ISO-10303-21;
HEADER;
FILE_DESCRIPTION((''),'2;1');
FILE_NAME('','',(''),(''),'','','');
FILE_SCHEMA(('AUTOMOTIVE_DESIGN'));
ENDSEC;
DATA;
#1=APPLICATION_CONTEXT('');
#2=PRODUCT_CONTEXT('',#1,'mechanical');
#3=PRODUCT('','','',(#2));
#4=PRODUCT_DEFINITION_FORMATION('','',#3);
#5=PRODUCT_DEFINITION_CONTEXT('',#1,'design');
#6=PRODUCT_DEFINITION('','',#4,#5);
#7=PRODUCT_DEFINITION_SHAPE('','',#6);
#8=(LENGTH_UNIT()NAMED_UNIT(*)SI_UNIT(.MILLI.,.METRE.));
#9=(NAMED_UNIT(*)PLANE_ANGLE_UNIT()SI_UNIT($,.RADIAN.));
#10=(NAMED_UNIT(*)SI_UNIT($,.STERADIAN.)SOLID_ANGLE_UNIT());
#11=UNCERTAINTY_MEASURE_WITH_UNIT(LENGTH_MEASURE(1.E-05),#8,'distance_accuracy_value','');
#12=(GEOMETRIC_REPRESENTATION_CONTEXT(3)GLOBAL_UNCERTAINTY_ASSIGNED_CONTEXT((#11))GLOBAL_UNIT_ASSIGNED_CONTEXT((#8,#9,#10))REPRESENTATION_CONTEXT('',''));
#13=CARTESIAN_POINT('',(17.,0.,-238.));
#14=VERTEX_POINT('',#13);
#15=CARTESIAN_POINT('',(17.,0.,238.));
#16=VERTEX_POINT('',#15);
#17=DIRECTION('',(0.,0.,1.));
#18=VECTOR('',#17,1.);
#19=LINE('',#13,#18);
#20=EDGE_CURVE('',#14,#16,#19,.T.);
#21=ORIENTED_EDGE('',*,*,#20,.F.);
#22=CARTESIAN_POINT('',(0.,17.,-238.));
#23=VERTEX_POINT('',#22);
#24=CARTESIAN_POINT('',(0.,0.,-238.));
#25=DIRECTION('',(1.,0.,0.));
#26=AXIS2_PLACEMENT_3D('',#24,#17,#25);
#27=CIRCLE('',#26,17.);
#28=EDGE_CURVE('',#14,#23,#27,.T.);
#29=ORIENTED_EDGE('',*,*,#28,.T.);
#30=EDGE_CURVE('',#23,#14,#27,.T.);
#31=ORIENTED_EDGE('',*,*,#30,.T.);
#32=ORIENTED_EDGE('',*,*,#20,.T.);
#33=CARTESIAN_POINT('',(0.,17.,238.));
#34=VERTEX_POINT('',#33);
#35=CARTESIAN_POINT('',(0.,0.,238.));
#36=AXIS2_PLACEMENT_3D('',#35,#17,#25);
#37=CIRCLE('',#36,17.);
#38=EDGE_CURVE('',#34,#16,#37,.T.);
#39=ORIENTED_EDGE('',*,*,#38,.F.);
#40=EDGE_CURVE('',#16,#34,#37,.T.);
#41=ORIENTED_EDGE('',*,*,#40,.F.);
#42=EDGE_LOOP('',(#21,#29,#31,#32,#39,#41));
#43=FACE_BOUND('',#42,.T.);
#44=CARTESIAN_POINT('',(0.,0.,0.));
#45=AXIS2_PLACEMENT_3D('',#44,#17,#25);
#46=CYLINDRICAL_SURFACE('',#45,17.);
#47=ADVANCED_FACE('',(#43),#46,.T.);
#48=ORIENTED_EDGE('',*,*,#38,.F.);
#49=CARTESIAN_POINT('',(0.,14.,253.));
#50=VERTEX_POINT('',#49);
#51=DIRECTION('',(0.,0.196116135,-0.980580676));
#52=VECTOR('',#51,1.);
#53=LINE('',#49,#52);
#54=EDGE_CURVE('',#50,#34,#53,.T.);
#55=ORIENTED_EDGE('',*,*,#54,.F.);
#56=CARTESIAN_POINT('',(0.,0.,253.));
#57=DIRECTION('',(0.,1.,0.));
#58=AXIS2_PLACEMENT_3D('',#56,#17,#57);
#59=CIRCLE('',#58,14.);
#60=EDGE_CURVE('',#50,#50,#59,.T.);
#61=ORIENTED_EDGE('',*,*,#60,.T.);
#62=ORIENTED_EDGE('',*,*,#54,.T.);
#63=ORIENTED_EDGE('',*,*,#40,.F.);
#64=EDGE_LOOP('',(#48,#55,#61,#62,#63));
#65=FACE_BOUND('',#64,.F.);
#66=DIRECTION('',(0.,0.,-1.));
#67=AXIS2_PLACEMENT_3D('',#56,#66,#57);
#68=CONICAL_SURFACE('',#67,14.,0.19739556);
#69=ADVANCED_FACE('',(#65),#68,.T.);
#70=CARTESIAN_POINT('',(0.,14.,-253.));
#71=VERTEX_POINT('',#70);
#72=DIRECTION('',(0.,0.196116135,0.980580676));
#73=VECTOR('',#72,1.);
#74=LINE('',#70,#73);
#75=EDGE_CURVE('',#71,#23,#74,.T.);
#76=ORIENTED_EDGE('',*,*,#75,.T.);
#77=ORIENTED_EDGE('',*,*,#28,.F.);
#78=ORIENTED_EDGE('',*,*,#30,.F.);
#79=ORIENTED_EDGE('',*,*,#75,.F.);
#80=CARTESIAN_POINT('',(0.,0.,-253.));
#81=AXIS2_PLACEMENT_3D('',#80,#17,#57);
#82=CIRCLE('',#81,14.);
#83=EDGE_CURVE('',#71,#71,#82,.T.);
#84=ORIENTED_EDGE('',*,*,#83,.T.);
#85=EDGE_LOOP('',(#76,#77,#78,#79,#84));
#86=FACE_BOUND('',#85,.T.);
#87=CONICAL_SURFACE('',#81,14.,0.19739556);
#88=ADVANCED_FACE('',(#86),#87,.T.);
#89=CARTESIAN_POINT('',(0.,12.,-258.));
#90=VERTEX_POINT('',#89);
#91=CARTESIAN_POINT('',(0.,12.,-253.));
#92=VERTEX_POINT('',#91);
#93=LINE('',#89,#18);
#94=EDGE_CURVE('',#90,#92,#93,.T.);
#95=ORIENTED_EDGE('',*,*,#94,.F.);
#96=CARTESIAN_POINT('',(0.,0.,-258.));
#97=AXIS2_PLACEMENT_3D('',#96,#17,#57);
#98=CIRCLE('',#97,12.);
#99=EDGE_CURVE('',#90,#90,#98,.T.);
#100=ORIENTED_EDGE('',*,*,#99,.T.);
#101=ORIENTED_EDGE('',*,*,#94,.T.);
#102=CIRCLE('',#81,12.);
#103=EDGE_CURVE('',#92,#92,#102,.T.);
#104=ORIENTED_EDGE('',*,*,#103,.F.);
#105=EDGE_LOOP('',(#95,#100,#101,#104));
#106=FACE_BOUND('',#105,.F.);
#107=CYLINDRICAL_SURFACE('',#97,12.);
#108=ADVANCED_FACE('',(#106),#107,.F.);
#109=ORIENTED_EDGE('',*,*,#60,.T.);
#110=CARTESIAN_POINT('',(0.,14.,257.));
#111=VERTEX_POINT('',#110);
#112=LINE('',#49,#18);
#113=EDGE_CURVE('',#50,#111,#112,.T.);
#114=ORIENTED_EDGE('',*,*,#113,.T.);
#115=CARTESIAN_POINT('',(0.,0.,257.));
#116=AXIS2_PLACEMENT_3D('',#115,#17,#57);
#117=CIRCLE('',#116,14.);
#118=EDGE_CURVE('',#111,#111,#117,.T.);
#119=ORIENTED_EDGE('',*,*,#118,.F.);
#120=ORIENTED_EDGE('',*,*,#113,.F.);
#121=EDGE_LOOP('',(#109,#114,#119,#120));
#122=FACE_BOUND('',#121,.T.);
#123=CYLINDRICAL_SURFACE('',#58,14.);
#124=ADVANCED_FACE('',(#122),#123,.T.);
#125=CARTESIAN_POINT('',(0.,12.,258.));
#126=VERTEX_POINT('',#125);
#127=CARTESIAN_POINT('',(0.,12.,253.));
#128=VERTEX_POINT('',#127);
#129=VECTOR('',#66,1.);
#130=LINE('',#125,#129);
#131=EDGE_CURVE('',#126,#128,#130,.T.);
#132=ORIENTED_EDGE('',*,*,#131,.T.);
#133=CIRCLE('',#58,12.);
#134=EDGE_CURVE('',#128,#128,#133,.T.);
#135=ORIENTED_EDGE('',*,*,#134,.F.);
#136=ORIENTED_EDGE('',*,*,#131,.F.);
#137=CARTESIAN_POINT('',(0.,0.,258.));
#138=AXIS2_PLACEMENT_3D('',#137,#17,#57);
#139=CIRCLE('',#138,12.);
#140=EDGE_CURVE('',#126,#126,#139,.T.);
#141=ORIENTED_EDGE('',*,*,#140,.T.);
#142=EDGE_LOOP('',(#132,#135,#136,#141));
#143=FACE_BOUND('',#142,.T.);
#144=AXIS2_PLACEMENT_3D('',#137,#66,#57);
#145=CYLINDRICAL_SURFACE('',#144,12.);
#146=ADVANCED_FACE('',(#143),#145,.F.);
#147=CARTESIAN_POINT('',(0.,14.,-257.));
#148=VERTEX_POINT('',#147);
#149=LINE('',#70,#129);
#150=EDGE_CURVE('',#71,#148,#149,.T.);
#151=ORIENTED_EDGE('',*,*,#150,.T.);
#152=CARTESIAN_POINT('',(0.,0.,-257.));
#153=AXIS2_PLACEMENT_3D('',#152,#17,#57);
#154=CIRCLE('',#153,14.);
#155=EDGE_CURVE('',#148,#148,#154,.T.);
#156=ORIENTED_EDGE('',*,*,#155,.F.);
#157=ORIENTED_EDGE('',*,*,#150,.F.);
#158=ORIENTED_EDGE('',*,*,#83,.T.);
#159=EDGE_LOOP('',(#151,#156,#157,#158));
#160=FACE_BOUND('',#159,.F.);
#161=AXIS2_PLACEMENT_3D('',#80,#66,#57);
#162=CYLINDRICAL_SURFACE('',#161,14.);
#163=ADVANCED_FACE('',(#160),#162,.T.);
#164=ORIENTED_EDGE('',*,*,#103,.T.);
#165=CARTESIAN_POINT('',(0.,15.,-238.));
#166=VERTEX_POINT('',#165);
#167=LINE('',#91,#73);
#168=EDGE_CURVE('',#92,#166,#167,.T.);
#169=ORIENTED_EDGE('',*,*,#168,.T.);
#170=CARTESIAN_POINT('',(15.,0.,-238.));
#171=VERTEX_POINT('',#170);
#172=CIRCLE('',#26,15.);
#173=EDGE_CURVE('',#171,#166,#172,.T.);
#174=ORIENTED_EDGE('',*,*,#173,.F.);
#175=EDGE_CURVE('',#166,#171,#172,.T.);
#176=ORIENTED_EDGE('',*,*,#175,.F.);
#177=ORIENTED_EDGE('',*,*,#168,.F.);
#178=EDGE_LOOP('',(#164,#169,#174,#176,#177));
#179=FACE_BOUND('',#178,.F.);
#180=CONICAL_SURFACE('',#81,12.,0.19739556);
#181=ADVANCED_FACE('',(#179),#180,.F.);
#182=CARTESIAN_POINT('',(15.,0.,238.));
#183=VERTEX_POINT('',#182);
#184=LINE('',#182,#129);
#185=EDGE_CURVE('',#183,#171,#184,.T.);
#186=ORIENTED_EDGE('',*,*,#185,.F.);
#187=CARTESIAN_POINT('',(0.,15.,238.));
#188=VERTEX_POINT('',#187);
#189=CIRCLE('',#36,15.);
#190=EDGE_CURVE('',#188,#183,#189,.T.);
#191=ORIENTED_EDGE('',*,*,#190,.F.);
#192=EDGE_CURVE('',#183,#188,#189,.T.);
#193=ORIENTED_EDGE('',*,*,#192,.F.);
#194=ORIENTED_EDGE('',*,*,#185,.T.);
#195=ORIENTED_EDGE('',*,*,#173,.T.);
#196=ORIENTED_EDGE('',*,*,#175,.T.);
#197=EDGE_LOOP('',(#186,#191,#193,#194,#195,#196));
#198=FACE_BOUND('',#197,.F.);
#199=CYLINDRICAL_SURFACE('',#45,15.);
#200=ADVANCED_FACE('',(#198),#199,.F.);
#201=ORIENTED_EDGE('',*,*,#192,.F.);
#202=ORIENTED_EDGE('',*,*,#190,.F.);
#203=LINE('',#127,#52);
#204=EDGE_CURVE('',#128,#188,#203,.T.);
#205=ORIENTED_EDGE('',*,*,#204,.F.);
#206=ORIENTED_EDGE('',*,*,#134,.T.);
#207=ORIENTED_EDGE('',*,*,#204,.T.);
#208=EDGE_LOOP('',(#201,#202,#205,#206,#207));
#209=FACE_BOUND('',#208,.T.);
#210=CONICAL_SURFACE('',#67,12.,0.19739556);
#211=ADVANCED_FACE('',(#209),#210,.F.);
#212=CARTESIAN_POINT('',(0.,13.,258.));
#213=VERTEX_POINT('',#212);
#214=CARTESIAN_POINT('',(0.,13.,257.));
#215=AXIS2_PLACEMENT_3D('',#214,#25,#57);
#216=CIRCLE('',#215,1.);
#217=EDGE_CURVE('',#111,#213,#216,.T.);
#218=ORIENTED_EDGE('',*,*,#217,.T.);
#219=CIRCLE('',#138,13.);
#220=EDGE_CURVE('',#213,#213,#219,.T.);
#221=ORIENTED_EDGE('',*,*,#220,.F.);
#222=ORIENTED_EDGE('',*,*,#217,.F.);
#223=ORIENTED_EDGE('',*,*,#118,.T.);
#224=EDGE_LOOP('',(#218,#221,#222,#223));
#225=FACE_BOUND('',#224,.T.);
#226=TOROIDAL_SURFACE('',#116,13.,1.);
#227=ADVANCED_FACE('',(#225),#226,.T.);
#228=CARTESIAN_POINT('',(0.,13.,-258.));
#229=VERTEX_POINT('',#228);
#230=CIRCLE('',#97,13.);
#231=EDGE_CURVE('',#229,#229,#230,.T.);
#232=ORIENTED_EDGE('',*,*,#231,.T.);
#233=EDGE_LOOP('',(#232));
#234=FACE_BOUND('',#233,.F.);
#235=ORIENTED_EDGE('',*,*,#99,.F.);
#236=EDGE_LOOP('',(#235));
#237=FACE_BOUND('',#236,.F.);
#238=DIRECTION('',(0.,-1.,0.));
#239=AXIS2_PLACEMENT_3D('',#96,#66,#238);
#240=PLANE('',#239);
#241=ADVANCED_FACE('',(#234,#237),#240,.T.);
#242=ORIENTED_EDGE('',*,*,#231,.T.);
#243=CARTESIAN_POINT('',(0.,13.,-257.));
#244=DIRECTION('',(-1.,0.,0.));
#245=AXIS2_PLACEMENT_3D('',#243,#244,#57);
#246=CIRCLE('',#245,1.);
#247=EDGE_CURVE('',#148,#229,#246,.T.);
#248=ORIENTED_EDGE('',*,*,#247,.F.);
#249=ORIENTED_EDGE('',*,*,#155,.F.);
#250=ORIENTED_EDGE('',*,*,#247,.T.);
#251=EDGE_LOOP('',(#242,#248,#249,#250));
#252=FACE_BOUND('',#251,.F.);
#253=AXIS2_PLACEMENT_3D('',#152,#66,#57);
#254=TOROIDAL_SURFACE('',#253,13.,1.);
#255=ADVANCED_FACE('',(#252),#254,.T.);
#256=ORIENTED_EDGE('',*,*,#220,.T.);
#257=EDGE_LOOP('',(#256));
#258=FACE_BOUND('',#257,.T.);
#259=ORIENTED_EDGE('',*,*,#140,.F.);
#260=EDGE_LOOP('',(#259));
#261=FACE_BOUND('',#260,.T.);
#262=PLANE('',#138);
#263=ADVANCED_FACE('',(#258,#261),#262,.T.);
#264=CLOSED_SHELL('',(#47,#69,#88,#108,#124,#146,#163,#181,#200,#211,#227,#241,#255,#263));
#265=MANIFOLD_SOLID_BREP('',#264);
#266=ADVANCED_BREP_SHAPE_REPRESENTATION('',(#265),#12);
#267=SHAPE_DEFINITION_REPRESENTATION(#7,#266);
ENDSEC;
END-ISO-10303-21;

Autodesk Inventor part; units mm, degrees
ref_plane "YZ Plane" through (0, 0, 0) normal (1, 0, 0) x (0, 1, 0)
ref_plane "XZ Plane" through (0, 0, 0) normal (0, 1, 0) x (-1, 0, 0)
ref_plane "XY Plane" through (0, 0, 0) normal (0, 0, 1) x (1, 0, 0)
sketch "Sketch1" plane through (0, 0, 0) normal (0, 0, 1) x (1, 0, 0)
  circle A0 centre (0, 0) radius 15
  circle A1 centre (0, 0) radius 17
  dimension "d0" = 30
  dimension "d1" = 2
extrude "Extrusion1" add sketch "Sketch1" against normal mid plane 476
sketch "Sketch2" plane through (0, 0, 0) normal (1, 0, 0) x (0, 1, 0)
  line L0 (15, -238) -> (15, 238) projected
  line L1 (17, 238) -> (17, -238) projected
  line L2 (14, 253) -> (14, 258)
  line L3 (14, 258) -> (12, 258)
  line L4 (12, 258) -> (12, 253)
  line L5 (17, 238) -> (-17, 238) projected
  line L6 (14, 253) -> (17, 238)
  line L7 (12, 253) -> (15, 238)
  line L8 (0, 0) -> (0, 22.4237)
  dimension "d4" = 2
  dimension "d5" = 2
  dimension "d8" = 12
  dimension "d10" = 5
  dimension "d13" = 20
revolve "Revolution1" add sketch "Sketch2" angle 360 about axis through (0, 0, 0) along (0, 0, 1)
fillet "Fillet2" radius 1 1 edges at (0, -14, 258)
mirror "Mirror1" about plane through (0, 0, 0) normal (0, 0, 1) of "Revolution1", "Fillet2"
equation "\"d5\" = d4"
properties part number "OuterGlassTube" material "Glass"
